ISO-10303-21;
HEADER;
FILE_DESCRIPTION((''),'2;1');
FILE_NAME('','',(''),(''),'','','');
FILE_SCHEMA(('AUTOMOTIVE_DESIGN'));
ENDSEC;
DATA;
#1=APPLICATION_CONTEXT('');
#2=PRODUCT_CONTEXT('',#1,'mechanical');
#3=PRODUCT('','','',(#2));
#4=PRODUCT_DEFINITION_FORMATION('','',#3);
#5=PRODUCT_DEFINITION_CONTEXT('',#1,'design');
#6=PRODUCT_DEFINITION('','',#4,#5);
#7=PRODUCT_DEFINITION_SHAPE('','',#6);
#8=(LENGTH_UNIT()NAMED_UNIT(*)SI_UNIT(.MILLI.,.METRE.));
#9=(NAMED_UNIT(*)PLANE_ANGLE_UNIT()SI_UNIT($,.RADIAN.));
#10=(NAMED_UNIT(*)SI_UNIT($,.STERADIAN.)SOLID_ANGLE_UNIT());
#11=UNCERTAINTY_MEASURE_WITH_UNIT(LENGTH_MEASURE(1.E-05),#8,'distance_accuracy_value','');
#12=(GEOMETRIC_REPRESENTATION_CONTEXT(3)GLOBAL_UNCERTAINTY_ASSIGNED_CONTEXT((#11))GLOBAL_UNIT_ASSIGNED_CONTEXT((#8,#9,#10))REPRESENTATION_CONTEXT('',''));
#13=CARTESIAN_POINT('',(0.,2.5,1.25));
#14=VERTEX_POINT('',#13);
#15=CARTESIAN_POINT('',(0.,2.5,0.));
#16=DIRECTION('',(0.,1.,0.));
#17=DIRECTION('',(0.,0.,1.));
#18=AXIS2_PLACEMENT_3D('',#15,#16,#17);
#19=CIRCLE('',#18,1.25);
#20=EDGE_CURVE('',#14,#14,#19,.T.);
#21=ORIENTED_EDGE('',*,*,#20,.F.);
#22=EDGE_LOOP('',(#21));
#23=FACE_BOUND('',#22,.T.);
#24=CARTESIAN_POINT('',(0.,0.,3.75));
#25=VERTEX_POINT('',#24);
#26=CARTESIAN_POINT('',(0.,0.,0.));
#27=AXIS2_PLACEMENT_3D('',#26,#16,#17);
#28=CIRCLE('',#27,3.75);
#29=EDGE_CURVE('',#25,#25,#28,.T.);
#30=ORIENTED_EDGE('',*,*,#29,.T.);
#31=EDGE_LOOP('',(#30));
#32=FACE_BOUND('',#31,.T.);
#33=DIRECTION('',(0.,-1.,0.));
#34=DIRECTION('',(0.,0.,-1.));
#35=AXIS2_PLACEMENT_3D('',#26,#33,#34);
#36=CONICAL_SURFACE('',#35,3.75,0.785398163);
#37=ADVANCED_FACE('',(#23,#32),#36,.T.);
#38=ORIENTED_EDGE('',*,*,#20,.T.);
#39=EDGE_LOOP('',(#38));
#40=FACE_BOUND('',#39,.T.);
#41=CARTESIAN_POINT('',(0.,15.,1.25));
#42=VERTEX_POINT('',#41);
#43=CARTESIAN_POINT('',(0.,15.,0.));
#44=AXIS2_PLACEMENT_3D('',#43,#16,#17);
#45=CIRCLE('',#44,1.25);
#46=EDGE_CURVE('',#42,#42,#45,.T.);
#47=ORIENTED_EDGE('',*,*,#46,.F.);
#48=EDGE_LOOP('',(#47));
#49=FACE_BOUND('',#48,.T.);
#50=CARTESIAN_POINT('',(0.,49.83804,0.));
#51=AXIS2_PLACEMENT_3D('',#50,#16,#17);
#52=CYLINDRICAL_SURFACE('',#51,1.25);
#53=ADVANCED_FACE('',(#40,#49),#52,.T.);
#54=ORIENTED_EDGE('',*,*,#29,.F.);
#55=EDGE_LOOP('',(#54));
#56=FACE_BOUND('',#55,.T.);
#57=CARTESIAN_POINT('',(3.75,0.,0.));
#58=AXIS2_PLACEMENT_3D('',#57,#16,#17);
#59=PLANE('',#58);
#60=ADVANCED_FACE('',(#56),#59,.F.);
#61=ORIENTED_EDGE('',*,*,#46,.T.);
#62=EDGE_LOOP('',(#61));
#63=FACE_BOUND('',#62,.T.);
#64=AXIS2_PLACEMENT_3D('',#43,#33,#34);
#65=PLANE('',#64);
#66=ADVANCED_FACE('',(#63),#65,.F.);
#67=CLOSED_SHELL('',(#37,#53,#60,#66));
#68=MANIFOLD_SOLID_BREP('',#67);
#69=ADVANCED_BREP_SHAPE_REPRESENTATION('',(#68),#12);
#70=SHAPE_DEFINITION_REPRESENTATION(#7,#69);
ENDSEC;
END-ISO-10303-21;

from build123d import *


with BuildPart() as part:
    # Эскиз1 → Повернуть1 (revolve)
    with BuildSketch(Plane.XY):
        Polygon((0, 15), (1.25, 15), (1.25, 2.5), (3.75, 0), (0, 0), align=None)
    revolve(axis=Axis((0, 49.838039672, 0), (0, -1, 0)))


solid = part.part
